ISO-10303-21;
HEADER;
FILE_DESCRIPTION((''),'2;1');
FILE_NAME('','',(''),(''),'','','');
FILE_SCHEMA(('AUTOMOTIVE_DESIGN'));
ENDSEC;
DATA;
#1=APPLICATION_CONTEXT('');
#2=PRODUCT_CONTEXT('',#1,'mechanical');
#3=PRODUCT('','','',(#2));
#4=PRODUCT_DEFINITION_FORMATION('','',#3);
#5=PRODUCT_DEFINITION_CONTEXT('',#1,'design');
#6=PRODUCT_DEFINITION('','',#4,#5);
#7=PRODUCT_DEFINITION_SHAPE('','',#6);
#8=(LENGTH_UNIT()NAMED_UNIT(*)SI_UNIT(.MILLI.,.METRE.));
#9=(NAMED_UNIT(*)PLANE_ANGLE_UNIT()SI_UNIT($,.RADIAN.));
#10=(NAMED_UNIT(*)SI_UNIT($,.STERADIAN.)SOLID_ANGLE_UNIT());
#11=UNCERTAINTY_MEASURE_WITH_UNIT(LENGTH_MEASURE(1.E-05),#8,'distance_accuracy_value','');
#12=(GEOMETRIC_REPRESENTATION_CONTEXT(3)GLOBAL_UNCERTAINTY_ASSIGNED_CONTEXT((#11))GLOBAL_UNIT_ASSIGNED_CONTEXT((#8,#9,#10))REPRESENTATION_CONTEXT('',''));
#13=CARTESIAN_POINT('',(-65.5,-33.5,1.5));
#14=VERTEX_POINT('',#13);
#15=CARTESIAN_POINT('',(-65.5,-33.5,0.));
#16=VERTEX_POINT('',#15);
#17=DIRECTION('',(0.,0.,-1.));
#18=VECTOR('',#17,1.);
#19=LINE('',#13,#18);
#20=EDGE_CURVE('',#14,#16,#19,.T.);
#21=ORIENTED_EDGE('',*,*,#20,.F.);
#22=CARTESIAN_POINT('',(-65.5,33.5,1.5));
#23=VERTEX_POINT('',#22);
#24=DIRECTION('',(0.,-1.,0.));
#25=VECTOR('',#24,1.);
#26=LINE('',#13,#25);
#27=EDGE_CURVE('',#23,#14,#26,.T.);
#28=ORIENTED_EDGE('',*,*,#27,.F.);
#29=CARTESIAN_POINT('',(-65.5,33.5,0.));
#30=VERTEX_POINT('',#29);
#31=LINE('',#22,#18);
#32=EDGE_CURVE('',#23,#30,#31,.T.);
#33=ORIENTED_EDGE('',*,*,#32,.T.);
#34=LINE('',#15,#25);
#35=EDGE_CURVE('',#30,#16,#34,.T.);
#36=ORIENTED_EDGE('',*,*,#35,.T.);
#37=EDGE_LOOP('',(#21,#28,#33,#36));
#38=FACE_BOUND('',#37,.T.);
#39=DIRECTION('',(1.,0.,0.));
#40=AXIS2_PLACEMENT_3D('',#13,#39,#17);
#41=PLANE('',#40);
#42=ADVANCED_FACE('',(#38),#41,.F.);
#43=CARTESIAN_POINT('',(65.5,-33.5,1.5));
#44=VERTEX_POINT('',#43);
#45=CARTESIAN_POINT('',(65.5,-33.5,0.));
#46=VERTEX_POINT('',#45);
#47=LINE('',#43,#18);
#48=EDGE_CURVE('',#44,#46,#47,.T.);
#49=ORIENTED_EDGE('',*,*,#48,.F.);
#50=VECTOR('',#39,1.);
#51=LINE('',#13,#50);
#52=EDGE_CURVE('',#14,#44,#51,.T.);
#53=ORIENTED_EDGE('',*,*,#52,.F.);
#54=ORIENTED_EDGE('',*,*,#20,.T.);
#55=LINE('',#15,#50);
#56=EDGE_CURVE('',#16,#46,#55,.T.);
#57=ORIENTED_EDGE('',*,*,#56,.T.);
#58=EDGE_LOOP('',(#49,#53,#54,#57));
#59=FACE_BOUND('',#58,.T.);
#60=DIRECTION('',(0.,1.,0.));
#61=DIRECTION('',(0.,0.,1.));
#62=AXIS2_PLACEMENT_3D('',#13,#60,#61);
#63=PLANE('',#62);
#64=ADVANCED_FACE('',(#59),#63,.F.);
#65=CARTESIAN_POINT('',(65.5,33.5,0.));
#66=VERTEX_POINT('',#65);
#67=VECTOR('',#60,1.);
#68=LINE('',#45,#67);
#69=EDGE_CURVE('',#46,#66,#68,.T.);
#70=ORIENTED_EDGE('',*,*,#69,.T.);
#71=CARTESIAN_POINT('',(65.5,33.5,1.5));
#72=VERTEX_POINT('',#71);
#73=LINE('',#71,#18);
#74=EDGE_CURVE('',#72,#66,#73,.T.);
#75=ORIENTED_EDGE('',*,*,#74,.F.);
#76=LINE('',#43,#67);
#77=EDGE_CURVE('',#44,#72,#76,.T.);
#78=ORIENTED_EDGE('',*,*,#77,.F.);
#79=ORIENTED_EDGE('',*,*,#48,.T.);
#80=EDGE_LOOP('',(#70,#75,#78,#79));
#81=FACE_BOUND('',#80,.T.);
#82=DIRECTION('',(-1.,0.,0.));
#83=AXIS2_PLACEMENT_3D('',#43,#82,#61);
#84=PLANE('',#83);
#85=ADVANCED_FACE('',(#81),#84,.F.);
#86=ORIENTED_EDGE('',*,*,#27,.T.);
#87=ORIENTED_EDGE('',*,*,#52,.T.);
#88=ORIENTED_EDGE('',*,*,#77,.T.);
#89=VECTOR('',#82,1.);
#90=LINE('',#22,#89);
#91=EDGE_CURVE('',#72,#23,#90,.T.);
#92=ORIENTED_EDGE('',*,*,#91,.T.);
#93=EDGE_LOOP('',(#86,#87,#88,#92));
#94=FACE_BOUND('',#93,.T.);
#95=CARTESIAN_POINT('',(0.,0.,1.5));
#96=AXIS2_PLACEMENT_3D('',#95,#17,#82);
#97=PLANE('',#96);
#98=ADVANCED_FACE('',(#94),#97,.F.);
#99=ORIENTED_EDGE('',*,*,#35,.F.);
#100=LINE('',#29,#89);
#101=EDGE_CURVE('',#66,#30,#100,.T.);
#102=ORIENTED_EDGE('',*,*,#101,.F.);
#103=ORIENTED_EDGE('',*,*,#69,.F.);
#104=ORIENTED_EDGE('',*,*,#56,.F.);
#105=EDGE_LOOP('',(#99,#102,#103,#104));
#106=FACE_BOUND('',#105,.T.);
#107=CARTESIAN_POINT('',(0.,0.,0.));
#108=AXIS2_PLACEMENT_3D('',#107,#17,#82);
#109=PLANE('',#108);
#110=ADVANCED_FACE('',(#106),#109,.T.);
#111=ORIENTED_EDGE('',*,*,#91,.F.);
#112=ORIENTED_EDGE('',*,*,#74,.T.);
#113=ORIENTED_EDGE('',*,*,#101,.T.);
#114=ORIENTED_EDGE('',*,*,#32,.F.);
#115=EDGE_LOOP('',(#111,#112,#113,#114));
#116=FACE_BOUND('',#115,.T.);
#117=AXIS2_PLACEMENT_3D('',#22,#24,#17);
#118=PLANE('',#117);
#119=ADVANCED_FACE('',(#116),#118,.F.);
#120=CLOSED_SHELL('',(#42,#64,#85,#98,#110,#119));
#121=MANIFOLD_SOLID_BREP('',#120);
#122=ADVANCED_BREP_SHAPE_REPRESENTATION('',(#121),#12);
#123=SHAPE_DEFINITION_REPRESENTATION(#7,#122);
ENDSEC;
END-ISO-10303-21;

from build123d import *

# Parameters (mm, degrees)
ESBO_O1_W                = 131
ESBO_O1_H                = 67
RESSALTO_EXTRUS_O1_DEPTH = 1.5


with BuildPart() as part:
    # Esboço1 → Ressalto-extrusão1 (new body)
    with BuildSketch(Plane.XY):
        Rectangle(ESBO_O1_W, ESBO_O1_H)
    extrude(amount=RESSALTO_EXTRUS_O1_DEPTH)


solid = part.part
